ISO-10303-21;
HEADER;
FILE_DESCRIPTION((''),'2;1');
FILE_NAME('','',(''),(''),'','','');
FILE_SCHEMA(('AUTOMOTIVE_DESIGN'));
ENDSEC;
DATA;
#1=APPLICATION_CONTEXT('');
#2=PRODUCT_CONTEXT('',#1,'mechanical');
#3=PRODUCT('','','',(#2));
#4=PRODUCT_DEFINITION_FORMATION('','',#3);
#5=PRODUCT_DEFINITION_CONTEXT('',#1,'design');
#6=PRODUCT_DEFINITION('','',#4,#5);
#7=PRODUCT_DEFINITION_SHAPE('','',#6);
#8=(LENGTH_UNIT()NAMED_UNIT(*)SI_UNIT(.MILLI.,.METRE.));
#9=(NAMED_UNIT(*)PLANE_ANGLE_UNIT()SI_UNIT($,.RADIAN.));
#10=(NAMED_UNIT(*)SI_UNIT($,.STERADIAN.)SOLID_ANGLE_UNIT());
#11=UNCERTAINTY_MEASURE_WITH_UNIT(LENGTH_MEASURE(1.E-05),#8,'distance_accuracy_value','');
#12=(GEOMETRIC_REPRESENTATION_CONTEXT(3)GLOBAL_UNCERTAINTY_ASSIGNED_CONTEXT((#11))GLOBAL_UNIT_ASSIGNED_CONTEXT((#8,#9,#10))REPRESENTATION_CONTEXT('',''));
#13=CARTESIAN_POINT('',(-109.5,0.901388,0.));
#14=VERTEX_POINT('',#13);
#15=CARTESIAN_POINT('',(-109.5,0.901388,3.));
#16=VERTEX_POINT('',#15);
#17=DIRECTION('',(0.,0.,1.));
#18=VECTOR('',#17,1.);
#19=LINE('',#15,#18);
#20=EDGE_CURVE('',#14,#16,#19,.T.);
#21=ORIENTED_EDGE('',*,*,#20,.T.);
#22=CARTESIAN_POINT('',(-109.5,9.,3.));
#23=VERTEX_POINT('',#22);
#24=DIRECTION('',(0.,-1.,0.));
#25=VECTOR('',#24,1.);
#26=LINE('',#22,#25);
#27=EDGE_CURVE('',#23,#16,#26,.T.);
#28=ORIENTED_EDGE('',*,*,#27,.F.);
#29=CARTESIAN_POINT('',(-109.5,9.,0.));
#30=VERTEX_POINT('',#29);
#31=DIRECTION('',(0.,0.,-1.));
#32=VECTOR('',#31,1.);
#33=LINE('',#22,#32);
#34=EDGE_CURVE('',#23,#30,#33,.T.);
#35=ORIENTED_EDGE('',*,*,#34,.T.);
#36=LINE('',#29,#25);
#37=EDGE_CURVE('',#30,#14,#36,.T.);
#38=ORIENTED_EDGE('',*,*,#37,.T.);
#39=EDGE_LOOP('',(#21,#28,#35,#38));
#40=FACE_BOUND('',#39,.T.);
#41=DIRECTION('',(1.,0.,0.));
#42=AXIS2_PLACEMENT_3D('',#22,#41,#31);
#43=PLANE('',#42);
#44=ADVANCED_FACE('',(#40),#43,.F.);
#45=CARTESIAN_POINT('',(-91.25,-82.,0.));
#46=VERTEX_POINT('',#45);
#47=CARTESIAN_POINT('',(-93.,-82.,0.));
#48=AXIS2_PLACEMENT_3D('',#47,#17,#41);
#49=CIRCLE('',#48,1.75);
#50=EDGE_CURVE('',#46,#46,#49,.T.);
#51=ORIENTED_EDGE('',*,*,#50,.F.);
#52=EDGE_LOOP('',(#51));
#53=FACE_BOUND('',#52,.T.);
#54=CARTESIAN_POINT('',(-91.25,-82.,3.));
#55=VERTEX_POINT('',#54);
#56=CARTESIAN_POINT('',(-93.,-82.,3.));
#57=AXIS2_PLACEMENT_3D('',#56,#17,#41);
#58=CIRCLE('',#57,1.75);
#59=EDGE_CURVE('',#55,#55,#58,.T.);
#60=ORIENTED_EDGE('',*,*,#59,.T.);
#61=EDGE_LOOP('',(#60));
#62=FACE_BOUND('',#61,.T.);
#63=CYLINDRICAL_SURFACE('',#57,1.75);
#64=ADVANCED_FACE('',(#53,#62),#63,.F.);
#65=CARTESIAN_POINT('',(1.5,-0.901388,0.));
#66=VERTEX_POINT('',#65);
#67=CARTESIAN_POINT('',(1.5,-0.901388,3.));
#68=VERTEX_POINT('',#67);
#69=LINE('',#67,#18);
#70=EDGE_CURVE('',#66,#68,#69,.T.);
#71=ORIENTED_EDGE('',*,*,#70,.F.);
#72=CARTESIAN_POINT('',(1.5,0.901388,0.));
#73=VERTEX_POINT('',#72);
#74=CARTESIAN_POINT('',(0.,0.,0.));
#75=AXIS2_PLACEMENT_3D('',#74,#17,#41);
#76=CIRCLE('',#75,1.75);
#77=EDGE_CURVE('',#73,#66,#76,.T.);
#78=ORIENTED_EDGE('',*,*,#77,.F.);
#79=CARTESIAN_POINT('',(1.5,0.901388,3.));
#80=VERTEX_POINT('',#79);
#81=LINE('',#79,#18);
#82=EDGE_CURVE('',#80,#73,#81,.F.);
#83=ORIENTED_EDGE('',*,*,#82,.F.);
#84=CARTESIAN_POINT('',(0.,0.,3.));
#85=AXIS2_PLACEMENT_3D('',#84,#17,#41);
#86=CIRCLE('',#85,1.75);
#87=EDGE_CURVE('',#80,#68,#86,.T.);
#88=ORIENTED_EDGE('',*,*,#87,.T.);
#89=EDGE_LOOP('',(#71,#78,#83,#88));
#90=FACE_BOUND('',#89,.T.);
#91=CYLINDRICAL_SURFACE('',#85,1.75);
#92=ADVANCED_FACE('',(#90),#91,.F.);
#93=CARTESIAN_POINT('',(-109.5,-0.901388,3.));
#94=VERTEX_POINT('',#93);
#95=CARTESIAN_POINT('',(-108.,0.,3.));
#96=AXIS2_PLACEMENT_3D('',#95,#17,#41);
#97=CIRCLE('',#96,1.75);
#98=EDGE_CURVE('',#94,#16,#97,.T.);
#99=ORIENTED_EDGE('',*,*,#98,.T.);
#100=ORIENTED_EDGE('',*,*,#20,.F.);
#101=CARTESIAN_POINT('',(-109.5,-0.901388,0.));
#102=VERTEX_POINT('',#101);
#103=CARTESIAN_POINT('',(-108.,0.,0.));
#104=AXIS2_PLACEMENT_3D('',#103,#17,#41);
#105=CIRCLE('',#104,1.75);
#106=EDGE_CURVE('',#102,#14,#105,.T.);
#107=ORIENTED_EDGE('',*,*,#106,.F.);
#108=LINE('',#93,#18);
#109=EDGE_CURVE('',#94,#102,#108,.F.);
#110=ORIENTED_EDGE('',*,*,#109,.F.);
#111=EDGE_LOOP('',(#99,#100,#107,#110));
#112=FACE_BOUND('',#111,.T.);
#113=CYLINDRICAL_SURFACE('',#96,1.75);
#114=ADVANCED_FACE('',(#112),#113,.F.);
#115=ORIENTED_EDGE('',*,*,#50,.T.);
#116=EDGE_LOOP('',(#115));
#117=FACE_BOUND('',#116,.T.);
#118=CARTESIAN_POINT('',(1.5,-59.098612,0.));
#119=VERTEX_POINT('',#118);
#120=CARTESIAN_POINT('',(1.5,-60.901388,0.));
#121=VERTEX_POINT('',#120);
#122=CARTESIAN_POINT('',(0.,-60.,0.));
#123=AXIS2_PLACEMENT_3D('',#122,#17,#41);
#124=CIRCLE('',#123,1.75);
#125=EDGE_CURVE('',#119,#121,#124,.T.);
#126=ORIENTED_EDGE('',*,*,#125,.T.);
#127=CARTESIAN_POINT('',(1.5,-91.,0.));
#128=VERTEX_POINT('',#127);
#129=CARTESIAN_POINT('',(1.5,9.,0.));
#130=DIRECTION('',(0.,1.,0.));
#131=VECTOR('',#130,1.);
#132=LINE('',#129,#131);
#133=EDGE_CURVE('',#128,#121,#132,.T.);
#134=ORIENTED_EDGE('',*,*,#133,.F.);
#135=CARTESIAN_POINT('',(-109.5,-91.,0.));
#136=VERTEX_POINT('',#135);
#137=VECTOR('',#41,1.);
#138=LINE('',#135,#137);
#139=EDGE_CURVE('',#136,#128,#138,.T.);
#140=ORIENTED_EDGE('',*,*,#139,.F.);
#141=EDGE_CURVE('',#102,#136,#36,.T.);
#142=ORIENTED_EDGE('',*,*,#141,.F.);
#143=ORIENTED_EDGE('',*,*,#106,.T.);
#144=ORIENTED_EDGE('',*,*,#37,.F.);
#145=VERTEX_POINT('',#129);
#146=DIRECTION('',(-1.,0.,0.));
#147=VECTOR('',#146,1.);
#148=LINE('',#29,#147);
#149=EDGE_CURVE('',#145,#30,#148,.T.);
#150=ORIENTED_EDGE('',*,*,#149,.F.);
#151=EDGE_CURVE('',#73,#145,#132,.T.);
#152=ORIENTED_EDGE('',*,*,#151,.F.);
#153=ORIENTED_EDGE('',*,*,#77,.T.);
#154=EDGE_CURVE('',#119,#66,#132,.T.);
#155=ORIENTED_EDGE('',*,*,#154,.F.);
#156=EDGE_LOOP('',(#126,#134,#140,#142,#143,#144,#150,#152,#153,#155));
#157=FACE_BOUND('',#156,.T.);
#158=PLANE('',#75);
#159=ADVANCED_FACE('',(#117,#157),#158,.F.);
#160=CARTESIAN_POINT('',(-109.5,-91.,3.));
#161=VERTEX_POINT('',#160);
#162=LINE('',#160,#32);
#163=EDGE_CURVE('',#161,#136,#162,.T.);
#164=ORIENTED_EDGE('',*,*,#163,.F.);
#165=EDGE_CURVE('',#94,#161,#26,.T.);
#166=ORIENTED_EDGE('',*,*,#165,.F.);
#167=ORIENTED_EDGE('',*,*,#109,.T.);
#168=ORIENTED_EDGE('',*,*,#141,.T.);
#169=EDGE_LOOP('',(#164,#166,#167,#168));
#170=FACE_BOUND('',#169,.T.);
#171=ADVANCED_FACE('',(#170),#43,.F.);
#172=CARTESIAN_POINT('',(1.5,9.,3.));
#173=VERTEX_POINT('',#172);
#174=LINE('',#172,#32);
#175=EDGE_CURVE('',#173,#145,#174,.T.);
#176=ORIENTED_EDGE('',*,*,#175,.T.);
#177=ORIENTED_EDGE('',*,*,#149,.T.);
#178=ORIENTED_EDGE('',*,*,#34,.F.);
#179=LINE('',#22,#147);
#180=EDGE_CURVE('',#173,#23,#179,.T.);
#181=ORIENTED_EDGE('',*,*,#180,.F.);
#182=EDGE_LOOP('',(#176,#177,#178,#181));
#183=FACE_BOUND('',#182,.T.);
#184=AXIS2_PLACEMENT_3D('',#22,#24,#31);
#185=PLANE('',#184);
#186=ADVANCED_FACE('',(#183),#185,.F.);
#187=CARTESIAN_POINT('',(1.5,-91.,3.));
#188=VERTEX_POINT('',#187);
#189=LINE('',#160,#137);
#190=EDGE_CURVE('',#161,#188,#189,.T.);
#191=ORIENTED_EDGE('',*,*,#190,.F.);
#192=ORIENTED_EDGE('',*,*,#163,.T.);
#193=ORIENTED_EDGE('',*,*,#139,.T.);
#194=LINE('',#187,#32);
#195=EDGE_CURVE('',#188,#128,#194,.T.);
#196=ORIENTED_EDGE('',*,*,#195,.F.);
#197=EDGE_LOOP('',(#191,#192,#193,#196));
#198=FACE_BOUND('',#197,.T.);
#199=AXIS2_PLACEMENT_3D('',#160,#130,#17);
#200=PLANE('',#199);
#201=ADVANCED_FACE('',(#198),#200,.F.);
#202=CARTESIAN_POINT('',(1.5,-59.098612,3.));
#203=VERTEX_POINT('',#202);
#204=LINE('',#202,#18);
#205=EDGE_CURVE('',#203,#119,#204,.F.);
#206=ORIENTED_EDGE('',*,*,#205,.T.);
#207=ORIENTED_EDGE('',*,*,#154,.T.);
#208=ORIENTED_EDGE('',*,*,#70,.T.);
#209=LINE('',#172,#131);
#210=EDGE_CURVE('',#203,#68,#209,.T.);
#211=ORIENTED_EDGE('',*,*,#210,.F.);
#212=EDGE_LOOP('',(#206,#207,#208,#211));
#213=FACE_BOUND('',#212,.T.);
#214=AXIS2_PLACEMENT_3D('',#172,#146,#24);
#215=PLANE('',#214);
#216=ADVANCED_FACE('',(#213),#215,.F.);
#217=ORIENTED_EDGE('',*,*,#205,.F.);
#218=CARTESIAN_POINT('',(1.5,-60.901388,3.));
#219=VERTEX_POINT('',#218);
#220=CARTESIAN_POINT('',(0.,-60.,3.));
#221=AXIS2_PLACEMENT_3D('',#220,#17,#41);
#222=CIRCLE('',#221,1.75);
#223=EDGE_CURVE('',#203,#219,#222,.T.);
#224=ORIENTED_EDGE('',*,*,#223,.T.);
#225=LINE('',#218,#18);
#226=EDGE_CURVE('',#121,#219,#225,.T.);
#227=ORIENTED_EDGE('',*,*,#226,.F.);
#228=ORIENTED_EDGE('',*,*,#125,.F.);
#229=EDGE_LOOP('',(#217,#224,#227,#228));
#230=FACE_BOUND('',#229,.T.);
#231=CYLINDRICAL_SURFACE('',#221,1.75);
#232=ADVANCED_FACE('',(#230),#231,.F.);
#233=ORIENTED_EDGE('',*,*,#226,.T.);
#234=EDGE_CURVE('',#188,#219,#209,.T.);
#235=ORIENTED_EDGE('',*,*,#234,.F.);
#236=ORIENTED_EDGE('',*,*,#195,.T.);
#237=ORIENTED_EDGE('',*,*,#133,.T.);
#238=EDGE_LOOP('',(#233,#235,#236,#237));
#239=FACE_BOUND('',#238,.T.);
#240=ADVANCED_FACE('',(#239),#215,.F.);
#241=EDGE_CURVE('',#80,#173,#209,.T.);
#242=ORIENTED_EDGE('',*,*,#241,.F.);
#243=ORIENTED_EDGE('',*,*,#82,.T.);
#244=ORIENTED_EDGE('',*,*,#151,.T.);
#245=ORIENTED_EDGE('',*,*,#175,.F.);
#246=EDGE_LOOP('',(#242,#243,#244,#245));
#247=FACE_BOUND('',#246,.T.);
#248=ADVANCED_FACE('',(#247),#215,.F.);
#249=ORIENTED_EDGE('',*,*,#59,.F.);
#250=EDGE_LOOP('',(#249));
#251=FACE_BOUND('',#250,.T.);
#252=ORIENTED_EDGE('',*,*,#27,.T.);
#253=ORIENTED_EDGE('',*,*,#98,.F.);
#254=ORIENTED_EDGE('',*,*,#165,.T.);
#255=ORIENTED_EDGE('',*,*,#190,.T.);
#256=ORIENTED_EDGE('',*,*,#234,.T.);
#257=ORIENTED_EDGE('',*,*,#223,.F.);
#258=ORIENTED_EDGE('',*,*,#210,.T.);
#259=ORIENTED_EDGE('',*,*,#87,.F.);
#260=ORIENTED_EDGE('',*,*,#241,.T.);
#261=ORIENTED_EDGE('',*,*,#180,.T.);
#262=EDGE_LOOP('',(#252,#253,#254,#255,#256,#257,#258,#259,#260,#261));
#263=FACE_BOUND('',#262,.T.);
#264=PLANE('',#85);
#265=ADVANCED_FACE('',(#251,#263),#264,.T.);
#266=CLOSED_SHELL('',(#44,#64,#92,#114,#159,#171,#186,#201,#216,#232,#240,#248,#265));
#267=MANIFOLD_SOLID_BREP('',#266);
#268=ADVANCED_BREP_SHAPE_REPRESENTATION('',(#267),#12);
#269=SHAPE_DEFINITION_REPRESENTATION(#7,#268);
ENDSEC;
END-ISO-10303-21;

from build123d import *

# Parameters (mm, degrees)
SKETCH1_W                  = 111
SKETCH1_H                  = 100
BOSS_EXTRUDE1_DEPTH        = 3
F_3_5_3_5_DIAMETER_HOLE1_D = 3.5


with BuildPart() as part:
    # Sketch1 → Boss-Extrude1 (new body)
    with BuildSketch(Plane.XY):
        with Locations((-54, -41)):
            Rectangle(SKETCH1_W, SKETCH1_H)
    extrude(amount=BOSS_EXTRUDE1_DEPTH)

    # Ø3.5 (3.5) Diameter Hole1 (through all)
    with Locations(Plane.XY.offset(3)):
        with Locations((0, 0), (-108, 0), (-93, -82), (0, -60)):
            Hole(F_3_5_3_5_DIAMETER_HOLE1_D / 2)


solid = part.part
